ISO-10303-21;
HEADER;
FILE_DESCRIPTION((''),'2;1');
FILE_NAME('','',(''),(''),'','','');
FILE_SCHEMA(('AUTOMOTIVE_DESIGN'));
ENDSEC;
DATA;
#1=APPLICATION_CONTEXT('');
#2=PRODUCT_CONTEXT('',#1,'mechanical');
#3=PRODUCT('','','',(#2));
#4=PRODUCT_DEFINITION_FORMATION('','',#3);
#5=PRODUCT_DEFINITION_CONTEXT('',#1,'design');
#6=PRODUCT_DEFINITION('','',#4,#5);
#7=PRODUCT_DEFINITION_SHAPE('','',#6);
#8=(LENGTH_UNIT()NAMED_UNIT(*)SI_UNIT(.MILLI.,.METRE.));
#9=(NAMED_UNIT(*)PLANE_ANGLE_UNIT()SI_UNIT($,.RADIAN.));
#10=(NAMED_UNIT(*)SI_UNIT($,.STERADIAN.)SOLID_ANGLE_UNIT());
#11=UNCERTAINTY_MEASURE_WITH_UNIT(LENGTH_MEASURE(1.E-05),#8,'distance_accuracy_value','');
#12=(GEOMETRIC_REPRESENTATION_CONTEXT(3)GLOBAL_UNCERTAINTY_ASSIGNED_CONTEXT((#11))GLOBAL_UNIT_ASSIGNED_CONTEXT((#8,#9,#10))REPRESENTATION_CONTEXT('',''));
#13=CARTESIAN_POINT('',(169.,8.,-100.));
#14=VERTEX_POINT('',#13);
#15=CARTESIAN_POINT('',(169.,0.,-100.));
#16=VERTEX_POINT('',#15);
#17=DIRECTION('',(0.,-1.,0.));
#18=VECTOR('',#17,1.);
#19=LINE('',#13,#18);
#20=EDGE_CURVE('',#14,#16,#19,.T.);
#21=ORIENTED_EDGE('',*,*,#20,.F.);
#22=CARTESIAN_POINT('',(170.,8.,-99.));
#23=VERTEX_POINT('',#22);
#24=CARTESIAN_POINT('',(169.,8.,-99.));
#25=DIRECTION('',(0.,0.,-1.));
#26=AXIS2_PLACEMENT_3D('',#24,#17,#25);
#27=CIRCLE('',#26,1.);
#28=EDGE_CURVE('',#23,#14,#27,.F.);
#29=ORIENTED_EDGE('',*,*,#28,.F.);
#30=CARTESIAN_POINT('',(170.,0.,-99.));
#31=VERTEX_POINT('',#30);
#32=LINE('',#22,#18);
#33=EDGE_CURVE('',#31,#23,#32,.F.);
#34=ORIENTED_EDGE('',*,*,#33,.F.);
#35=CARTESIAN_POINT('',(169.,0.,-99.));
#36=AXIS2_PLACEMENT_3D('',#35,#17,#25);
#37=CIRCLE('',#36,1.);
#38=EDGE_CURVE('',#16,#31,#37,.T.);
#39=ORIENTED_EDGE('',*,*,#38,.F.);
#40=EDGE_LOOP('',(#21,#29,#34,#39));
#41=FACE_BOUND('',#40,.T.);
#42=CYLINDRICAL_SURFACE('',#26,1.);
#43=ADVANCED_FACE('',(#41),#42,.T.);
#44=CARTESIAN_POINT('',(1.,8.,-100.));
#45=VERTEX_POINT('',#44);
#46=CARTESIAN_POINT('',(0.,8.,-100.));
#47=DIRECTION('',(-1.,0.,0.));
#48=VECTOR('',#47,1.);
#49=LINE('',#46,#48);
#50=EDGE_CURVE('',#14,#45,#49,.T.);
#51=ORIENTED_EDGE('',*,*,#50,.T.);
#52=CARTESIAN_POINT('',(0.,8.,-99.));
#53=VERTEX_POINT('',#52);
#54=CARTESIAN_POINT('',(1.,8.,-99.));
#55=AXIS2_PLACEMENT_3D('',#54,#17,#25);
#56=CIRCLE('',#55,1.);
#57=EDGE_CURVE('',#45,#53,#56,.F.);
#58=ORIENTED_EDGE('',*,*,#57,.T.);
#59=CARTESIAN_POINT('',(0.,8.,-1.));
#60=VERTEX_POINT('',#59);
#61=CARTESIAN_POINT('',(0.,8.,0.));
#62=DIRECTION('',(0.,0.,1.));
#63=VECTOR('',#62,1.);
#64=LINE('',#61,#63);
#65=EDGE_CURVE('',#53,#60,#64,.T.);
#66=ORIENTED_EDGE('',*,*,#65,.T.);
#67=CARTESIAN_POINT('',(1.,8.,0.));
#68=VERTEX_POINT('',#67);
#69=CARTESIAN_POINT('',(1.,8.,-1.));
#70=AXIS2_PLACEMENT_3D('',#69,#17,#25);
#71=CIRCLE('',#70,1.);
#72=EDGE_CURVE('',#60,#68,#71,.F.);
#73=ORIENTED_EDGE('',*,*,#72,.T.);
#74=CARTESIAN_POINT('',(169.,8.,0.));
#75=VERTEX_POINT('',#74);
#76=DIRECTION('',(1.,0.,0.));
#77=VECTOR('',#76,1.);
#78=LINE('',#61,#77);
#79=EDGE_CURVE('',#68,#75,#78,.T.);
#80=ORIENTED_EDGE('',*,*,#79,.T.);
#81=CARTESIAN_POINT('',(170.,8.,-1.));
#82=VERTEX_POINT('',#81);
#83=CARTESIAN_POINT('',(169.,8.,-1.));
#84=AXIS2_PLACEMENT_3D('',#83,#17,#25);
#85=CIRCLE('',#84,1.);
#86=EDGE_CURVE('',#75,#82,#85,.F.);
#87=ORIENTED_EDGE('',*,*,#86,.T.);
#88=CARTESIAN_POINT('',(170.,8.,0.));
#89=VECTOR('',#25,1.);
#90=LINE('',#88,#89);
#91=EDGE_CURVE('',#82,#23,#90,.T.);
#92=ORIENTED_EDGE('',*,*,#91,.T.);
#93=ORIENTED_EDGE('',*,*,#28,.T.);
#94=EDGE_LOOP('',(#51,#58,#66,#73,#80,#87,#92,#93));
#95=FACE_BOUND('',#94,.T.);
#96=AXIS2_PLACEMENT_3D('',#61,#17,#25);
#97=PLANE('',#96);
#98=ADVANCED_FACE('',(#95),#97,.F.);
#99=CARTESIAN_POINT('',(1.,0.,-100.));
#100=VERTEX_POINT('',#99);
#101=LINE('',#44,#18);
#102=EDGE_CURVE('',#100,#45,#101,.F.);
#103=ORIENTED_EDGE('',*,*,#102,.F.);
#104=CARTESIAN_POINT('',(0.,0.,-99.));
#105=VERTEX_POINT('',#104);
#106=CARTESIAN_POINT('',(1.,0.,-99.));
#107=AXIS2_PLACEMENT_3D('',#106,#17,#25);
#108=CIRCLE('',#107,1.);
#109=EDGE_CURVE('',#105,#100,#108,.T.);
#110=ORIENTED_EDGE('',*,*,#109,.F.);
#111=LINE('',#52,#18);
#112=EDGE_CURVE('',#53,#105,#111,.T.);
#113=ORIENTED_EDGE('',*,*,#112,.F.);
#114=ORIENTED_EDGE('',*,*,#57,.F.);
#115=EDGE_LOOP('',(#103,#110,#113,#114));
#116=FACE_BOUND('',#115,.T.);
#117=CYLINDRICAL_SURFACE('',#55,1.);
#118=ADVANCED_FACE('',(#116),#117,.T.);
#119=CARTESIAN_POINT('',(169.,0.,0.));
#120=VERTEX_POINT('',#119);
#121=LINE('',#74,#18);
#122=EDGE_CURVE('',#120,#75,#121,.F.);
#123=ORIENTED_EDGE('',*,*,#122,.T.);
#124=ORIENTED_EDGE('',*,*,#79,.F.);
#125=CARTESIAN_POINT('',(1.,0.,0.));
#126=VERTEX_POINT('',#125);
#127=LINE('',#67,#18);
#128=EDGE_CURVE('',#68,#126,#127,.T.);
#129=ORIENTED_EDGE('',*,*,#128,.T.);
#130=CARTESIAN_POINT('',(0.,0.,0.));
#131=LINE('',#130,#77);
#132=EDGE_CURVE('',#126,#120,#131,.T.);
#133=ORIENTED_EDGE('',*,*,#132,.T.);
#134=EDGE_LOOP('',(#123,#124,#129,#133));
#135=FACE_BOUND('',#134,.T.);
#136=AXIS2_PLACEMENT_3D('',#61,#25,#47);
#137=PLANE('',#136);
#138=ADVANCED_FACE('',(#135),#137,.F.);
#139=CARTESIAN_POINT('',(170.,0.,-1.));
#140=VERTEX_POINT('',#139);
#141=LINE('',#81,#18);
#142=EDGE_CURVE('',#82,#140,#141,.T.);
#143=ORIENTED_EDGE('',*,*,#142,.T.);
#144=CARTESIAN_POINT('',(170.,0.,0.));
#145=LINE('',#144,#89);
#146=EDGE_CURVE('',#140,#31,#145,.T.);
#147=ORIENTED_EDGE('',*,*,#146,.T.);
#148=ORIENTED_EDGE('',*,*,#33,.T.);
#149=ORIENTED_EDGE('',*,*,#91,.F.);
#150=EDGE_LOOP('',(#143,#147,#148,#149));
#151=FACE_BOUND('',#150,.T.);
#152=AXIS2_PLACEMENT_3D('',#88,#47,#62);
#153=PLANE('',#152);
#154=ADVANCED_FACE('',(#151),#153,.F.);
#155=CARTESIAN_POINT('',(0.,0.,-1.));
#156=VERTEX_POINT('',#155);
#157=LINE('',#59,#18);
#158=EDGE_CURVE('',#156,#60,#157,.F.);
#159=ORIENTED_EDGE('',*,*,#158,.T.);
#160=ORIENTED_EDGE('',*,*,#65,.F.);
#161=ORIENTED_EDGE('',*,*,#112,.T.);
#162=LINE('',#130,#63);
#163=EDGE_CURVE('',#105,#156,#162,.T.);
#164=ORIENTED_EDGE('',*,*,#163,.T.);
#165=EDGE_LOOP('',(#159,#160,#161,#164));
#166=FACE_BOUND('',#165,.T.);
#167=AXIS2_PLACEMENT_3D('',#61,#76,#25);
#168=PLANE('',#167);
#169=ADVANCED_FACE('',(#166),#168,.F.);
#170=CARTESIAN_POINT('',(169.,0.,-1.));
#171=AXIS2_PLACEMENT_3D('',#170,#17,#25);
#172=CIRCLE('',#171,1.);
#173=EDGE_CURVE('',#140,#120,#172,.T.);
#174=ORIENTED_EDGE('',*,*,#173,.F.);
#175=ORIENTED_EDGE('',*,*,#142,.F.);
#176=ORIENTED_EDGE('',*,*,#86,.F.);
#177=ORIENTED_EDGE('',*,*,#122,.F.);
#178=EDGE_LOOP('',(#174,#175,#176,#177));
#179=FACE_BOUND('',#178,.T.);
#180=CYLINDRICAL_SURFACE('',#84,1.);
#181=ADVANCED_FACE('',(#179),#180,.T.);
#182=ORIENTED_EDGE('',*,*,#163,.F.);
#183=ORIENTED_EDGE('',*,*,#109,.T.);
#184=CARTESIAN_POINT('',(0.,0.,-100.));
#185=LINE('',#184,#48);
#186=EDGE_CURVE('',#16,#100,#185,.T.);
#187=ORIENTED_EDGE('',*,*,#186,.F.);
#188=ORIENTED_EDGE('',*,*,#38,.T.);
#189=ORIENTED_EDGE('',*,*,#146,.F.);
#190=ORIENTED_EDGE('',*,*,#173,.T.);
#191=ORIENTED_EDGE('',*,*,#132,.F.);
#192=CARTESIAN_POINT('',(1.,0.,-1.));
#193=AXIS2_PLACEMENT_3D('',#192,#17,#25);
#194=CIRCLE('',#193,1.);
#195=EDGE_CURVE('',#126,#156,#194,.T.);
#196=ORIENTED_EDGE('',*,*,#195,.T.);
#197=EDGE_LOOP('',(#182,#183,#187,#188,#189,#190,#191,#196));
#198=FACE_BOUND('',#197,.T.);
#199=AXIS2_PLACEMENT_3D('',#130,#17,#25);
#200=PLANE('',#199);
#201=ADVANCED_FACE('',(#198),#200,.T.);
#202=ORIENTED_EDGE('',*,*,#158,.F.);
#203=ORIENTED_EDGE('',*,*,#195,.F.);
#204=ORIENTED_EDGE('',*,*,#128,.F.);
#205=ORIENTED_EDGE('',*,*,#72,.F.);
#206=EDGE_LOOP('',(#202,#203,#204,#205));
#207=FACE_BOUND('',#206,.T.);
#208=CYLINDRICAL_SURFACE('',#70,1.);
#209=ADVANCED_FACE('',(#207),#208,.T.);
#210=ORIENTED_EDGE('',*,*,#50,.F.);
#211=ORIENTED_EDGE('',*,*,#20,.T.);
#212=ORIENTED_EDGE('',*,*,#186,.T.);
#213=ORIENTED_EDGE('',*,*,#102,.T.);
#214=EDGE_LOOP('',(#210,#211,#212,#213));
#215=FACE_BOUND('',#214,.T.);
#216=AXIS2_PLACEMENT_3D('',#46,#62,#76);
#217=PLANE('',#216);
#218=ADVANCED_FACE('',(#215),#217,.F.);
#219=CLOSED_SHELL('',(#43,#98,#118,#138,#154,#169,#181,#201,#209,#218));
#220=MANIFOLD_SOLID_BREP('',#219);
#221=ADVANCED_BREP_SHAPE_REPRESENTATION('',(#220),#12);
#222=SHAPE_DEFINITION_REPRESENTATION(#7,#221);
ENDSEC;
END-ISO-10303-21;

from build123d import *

# Parameters (mm, degrees)
SKETCH_1_W      = 170
SKETCH_1_H      = 100
EXTRUDE_1_DEPTH = 8
FILLET_1_R      = 1


with BuildPart() as part:
    # 草图1 → 凸台-拉伸1 (new body)
    with BuildSketch(Plane(origin=(0, 0, 0), x_dir=(1, 0, 0), z_dir=(0, 1, 0))):
        with Locations((85, 50)):
            Rectangle(SKETCH_1_W, SKETCH_1_H)
    extrude(amount=EXTRUDE_1_DEPTH)

    # 圆角1
    fillet_1_edges = [part.edges().sort_by_distance(p)[0] for p in [
        (0, 4, -100),
        (170, 4, -100),
        (170, 4, 0),
        (0, 4, 0),
    ]]
    fillet(fillet_1_edges, radius=FILLET_1_R)


solid = part.part
